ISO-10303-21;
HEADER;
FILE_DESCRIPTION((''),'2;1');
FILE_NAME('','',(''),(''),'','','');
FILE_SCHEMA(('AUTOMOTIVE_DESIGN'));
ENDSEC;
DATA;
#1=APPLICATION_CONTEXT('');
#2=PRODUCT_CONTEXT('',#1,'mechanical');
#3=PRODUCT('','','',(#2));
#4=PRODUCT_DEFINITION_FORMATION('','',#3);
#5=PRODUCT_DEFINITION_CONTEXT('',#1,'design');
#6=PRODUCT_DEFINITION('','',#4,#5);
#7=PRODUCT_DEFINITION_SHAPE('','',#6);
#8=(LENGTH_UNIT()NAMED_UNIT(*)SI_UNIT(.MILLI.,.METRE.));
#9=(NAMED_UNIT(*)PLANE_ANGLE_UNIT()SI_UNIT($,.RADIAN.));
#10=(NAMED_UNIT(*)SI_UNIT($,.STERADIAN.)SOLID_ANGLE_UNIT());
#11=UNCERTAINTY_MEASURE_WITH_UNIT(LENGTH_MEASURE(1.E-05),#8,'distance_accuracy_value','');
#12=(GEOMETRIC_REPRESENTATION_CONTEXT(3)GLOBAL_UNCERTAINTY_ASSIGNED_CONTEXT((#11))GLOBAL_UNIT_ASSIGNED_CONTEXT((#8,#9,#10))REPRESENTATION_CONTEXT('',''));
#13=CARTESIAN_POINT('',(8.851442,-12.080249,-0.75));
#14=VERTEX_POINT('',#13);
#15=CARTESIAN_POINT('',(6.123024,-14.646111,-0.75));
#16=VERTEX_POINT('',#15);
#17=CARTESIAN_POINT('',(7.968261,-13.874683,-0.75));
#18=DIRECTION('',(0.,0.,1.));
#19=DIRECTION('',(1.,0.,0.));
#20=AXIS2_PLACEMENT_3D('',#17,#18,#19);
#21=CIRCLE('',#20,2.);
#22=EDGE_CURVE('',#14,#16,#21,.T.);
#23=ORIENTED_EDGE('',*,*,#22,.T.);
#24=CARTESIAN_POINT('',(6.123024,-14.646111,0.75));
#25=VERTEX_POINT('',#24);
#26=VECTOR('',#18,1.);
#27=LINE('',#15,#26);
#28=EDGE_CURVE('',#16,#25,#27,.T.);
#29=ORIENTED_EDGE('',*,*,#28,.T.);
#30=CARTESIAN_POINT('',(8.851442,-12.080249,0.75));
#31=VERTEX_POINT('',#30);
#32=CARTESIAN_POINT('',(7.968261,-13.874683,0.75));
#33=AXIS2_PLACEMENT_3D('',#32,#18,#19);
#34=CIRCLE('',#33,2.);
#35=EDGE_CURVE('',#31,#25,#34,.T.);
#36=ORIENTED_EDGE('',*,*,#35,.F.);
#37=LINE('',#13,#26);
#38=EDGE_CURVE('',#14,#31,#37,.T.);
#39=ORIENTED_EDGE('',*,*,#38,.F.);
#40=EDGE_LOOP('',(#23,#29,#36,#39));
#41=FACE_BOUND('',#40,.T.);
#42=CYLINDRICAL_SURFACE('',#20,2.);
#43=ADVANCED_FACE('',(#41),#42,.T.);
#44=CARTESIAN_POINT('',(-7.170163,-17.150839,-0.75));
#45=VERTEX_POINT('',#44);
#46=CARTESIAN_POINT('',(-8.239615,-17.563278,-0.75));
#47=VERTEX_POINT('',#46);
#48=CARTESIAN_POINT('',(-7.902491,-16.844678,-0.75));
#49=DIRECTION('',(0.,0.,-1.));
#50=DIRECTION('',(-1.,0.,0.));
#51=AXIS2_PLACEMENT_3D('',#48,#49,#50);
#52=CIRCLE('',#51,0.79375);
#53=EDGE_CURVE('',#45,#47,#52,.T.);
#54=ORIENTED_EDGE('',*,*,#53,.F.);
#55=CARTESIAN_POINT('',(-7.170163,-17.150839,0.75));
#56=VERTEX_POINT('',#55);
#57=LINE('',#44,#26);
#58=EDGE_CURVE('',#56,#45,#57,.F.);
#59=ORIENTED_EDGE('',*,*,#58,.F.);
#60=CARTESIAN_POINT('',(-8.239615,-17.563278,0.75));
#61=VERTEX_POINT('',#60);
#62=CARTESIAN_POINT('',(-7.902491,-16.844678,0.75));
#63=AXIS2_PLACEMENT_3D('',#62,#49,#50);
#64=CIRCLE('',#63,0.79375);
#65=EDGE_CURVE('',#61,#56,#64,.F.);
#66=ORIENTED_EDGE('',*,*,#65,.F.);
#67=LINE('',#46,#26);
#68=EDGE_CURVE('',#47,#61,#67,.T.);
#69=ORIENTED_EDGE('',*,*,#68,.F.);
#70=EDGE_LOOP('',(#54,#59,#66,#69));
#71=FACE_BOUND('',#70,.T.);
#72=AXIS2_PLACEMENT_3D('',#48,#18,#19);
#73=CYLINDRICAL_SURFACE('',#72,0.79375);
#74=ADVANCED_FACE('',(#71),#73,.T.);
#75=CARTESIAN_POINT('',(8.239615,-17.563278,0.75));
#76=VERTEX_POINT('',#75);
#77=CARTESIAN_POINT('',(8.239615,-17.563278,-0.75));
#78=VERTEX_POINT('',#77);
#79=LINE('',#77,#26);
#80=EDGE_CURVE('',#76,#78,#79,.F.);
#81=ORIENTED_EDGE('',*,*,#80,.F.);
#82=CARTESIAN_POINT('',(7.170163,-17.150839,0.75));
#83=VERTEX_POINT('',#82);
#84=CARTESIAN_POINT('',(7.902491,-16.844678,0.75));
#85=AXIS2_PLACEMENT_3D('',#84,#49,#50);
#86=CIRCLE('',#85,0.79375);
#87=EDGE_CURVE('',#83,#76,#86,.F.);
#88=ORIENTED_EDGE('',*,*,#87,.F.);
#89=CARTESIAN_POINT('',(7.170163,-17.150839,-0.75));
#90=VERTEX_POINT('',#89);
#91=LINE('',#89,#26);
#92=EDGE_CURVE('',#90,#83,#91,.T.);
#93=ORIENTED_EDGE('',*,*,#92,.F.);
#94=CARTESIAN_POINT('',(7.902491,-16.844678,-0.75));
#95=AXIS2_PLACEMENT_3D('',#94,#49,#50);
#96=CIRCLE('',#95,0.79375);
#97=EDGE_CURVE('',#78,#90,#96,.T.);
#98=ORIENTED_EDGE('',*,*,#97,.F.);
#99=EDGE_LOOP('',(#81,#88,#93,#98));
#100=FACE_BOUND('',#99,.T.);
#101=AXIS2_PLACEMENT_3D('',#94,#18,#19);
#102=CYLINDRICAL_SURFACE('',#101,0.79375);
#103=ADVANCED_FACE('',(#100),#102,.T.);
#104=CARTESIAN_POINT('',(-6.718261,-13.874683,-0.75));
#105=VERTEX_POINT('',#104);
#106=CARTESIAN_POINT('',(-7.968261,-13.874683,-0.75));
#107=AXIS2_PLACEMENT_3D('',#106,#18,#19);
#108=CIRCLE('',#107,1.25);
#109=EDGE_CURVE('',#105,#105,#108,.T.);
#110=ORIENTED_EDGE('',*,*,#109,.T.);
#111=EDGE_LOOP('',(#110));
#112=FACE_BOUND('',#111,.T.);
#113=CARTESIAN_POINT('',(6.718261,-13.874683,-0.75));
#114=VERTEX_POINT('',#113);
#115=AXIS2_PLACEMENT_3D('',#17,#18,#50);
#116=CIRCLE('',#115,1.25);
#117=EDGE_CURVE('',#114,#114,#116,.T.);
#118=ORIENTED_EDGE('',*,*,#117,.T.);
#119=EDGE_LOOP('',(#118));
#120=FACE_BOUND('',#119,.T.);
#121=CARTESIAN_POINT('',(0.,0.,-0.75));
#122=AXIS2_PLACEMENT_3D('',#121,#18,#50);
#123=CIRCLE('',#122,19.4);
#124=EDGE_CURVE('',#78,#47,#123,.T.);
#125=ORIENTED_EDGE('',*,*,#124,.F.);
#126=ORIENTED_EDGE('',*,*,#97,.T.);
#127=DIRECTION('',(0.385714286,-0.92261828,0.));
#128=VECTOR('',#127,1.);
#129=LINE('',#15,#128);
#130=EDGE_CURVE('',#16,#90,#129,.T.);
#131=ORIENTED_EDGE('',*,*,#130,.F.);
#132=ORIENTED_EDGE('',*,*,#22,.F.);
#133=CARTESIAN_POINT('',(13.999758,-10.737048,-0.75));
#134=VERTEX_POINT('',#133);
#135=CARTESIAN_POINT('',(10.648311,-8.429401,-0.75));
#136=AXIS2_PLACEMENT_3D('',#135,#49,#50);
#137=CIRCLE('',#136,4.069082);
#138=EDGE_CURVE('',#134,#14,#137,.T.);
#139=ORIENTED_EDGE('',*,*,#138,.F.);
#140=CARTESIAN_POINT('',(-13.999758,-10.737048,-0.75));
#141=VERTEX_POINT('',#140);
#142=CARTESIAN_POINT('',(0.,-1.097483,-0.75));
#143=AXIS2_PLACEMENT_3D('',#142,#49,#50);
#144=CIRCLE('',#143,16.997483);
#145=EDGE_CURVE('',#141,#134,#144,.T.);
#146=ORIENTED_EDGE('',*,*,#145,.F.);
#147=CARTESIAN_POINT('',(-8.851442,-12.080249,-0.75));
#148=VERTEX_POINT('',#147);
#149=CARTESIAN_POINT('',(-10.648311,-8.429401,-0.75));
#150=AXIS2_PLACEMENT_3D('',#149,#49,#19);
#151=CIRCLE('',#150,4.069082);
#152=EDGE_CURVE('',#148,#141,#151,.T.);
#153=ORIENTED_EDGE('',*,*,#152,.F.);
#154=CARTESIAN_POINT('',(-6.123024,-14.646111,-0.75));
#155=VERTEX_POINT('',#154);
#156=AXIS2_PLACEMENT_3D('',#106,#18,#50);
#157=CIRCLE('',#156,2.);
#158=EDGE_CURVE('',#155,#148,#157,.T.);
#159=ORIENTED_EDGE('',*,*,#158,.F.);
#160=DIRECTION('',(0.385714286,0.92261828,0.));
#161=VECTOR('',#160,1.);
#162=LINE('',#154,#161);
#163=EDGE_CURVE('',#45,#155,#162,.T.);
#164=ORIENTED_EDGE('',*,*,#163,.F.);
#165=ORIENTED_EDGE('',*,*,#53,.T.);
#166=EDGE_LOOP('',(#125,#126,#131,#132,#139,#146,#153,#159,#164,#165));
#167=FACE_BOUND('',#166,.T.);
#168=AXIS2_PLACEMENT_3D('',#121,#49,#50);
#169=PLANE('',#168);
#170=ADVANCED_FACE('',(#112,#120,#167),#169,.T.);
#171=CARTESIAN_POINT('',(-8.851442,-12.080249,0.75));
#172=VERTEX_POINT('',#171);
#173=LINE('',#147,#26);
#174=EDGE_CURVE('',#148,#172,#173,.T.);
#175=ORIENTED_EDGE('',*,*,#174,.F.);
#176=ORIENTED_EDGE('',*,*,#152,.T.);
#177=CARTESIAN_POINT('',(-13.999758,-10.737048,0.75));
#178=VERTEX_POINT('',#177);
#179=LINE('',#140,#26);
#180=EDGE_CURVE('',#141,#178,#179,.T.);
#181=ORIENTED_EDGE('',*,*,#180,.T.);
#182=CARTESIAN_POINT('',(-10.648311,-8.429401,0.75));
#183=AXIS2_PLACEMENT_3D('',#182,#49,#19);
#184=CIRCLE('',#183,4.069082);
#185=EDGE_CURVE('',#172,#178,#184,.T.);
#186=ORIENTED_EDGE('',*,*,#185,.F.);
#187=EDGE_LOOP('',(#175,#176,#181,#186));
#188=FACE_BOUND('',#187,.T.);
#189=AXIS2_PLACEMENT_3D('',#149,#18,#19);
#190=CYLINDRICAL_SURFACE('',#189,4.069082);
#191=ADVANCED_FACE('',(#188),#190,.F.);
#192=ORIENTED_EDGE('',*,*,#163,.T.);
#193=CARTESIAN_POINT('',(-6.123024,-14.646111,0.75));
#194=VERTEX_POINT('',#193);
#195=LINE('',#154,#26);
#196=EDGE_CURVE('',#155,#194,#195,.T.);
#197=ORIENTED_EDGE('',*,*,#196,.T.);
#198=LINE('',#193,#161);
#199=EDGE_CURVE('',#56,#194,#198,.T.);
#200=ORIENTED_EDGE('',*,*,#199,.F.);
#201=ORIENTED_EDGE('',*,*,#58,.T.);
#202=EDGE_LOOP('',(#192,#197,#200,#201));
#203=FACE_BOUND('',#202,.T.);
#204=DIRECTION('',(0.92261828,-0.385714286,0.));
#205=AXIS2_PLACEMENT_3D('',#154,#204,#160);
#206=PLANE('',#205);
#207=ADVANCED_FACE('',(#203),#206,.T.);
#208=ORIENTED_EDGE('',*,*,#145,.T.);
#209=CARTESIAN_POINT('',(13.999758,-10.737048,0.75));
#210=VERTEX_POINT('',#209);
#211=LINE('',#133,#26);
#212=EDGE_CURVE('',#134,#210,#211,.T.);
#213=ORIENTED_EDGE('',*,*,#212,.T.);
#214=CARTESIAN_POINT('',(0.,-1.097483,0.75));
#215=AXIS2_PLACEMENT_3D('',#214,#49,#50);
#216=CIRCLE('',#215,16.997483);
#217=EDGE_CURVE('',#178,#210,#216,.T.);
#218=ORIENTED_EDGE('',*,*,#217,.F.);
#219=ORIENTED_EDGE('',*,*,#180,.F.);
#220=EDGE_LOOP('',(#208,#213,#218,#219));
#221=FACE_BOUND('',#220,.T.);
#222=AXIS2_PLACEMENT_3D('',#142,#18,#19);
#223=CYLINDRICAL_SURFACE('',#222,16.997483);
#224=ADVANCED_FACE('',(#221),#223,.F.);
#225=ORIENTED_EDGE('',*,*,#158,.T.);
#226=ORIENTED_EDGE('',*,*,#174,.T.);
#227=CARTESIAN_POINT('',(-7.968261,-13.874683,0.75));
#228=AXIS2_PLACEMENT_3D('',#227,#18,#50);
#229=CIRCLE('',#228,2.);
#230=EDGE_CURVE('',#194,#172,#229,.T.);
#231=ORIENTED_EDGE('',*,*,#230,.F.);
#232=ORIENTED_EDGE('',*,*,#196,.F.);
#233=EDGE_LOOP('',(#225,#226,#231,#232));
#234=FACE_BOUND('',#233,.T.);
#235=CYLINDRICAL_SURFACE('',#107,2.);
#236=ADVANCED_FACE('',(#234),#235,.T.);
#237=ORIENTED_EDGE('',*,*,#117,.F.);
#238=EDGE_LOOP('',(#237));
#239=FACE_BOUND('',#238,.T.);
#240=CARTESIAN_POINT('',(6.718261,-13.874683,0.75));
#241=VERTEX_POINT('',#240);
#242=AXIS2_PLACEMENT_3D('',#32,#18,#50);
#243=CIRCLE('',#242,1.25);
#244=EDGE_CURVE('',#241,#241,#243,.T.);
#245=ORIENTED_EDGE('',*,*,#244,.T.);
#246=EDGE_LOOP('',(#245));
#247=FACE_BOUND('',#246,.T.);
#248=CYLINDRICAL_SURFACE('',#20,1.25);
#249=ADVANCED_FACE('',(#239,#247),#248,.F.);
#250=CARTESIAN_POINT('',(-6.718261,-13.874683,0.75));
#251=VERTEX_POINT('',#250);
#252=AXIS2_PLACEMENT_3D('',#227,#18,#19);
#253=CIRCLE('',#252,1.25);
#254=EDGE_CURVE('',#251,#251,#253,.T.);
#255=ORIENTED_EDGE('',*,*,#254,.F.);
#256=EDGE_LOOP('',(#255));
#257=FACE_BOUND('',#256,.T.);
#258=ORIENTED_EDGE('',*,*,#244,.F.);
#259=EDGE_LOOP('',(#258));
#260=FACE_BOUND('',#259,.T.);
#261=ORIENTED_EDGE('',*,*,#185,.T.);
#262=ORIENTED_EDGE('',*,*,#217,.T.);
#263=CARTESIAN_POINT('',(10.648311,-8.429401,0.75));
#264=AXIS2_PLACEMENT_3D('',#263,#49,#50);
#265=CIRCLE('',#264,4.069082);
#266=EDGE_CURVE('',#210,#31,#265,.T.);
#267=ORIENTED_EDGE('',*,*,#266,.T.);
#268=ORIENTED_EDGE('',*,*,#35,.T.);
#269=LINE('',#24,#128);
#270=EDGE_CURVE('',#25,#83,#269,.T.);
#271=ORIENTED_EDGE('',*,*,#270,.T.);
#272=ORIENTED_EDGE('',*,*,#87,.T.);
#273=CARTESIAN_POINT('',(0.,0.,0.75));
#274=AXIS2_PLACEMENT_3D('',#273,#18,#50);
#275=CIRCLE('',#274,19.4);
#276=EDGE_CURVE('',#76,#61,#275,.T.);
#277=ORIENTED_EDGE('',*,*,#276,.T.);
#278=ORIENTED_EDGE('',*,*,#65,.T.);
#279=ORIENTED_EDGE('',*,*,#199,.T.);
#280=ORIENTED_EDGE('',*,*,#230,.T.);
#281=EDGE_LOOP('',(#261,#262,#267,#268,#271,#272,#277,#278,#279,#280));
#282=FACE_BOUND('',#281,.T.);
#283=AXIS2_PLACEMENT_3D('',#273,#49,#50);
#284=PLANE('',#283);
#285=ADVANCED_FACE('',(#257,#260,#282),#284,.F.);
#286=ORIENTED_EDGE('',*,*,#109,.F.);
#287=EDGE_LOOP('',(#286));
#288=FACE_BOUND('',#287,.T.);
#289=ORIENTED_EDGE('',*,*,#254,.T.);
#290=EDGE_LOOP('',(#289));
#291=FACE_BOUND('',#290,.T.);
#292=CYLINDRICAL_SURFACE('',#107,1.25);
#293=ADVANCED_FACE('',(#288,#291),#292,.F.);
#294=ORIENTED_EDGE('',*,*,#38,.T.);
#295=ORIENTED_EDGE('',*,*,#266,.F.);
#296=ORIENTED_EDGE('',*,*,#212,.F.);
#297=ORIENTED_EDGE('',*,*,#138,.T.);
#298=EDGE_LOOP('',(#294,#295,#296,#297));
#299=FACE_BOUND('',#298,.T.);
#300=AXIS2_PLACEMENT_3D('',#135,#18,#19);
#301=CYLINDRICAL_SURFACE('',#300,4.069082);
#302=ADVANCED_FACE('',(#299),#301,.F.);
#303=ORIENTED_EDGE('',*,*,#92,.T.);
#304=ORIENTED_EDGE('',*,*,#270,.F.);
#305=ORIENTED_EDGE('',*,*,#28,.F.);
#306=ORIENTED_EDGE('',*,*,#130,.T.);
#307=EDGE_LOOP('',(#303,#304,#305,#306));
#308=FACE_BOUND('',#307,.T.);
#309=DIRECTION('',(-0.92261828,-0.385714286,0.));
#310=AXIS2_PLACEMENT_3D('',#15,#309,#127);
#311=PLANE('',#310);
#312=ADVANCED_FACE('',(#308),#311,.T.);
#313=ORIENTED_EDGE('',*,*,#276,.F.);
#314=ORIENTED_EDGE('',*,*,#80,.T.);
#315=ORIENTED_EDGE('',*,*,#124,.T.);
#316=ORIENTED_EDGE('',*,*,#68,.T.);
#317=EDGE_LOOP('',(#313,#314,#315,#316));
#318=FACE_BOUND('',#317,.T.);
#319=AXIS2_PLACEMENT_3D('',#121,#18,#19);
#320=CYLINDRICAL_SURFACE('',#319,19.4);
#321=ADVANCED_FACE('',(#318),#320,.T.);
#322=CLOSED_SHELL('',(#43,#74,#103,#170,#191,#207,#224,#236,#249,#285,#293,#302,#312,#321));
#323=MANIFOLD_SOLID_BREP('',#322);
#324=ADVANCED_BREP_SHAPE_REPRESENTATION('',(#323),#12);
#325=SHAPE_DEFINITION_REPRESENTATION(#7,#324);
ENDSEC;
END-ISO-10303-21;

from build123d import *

# Parameters (mm, degrees)
BOSS_EXTRUDE1_DEPTH      = 0.75
BOSS_EXTRUDE1_DEPTH_BACK = 0.75
SKETCH3_R                = 1.25
FILLET1_R                = 0.79375


with BuildPart() as part:
    # Sketch3 → Boss-Extrude1 (new, two sides: drawn at the far end of the back side and taken through both)
    with BuildSketch(Plane.XY.offset(-BOSS_EXTRUDE1_DEPTH_BACK)):
        with BuildLine():
            Line((-6.123024463, -14.646111137), (-7.482857143, -17.898794624))
            ThreePointArc((-7.482857143, -17.898794624), (0, 19.4), (7.482857143, -17.898794624))
            Line((7.482857143, -17.898794624), (6.123024463, -14.646111137))
            ThreePointArc((6.123024463, -14.646111137), (6.598115307, -12.417733451), (8.851442376, -12.080249313))
            ThreePointArc((8.851442376, -12.080249313), (11.675553045, -12.366684891), (13.999758002, -10.737047592))
            ThreePointArc((13.999758002, -10.737047592), (0, 15.9), (-13.999758002, -10.737047592))
            ThreePointArc((-13.999758002, -10.737047592), (-11.675553045, -12.366684891), (-8.851442376, -12.080249313))
            ThreePointArc((-8.851442376, -12.080249313), (-6.598115307, -12.417733451), (-6.123024463, -14.646111137))
        make_face()
        with Locations((-7.968261022, -13.874682565)):
            Circle(SKETCH3_R, mode=Mode.SUBTRACT)
        with Locations(Location((7.968261022, -13.874682565, 0), (0, 0, 180))):
            Circle(SKETCH3_R, mode=Mode.SUBTRACT)
    extrude(amount=BOSS_EXTRUDE1_DEPTH + BOSS_EXTRUDE1_DEPTH_BACK)

    # Fillet1
    fillet1_edges = [part.edges().sort_by_distance(p)[0] for p in [
        (7.482857143, -17.898794624, 0),
        (-7.482857143, -17.898794624, 0),
    ]]
    fillet(fillet1_edges, radius=FILLET1_R)


solid = part.part
